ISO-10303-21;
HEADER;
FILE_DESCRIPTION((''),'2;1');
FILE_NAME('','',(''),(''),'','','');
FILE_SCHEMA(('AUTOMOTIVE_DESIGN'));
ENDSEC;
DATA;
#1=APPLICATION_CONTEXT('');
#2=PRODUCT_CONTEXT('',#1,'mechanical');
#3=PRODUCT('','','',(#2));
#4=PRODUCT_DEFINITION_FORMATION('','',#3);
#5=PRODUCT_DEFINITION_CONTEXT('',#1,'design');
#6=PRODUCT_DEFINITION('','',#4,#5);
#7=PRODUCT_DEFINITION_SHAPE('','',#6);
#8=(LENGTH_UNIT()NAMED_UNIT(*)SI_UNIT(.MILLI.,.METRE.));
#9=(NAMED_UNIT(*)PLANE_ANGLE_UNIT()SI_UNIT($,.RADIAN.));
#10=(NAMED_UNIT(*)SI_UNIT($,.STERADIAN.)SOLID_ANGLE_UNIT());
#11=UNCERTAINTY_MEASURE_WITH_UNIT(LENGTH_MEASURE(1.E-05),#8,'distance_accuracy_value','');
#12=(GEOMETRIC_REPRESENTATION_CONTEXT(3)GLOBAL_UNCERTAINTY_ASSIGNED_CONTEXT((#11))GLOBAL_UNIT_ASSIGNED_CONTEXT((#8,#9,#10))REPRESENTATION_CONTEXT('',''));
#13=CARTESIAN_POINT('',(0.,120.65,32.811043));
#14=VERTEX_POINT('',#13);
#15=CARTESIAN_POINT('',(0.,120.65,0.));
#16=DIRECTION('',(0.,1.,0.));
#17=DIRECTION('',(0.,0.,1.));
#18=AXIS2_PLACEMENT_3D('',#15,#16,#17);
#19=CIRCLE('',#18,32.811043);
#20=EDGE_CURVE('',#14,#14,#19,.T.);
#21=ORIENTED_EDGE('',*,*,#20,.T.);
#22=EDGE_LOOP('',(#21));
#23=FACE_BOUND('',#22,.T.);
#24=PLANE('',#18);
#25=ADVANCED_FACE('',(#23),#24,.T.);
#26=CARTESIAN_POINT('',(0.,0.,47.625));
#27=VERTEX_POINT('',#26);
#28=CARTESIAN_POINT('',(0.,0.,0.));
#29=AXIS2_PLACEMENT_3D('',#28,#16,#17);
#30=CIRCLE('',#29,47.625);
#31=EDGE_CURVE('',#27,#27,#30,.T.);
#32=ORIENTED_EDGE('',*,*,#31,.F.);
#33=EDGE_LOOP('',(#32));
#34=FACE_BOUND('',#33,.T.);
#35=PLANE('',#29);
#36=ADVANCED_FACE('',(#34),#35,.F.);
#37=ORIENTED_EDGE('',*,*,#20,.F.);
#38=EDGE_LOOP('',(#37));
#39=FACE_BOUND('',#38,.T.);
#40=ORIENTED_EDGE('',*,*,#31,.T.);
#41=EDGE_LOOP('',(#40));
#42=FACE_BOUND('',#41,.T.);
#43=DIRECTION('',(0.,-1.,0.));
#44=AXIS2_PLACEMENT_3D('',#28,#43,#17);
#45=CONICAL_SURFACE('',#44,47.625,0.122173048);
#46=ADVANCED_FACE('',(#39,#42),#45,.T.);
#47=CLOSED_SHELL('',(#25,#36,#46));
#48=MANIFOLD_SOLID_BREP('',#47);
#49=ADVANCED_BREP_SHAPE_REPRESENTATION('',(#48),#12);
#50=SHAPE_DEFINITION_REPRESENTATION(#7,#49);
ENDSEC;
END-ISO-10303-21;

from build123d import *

# Parameters (mm, degrees)
SKETCH1_R           = 47.625
BOSS_EXTRUDE1_DEPTH = 120.65
BOSS_EXTRUDE1_TAPER = 7


with BuildPart() as part:
    # Sketch1 → Boss-Extrude1 (new body)
    with BuildSketch(Plane(origin=(0, 0, 0), x_dir=(1, 0, 0), z_dir=(0, 1, 0))):
        Circle(SKETCH1_R)
    extrude(amount=BOSS_EXTRUDE1_DEPTH, taper=BOSS_EXTRUDE1_TAPER)


solid = part.part
